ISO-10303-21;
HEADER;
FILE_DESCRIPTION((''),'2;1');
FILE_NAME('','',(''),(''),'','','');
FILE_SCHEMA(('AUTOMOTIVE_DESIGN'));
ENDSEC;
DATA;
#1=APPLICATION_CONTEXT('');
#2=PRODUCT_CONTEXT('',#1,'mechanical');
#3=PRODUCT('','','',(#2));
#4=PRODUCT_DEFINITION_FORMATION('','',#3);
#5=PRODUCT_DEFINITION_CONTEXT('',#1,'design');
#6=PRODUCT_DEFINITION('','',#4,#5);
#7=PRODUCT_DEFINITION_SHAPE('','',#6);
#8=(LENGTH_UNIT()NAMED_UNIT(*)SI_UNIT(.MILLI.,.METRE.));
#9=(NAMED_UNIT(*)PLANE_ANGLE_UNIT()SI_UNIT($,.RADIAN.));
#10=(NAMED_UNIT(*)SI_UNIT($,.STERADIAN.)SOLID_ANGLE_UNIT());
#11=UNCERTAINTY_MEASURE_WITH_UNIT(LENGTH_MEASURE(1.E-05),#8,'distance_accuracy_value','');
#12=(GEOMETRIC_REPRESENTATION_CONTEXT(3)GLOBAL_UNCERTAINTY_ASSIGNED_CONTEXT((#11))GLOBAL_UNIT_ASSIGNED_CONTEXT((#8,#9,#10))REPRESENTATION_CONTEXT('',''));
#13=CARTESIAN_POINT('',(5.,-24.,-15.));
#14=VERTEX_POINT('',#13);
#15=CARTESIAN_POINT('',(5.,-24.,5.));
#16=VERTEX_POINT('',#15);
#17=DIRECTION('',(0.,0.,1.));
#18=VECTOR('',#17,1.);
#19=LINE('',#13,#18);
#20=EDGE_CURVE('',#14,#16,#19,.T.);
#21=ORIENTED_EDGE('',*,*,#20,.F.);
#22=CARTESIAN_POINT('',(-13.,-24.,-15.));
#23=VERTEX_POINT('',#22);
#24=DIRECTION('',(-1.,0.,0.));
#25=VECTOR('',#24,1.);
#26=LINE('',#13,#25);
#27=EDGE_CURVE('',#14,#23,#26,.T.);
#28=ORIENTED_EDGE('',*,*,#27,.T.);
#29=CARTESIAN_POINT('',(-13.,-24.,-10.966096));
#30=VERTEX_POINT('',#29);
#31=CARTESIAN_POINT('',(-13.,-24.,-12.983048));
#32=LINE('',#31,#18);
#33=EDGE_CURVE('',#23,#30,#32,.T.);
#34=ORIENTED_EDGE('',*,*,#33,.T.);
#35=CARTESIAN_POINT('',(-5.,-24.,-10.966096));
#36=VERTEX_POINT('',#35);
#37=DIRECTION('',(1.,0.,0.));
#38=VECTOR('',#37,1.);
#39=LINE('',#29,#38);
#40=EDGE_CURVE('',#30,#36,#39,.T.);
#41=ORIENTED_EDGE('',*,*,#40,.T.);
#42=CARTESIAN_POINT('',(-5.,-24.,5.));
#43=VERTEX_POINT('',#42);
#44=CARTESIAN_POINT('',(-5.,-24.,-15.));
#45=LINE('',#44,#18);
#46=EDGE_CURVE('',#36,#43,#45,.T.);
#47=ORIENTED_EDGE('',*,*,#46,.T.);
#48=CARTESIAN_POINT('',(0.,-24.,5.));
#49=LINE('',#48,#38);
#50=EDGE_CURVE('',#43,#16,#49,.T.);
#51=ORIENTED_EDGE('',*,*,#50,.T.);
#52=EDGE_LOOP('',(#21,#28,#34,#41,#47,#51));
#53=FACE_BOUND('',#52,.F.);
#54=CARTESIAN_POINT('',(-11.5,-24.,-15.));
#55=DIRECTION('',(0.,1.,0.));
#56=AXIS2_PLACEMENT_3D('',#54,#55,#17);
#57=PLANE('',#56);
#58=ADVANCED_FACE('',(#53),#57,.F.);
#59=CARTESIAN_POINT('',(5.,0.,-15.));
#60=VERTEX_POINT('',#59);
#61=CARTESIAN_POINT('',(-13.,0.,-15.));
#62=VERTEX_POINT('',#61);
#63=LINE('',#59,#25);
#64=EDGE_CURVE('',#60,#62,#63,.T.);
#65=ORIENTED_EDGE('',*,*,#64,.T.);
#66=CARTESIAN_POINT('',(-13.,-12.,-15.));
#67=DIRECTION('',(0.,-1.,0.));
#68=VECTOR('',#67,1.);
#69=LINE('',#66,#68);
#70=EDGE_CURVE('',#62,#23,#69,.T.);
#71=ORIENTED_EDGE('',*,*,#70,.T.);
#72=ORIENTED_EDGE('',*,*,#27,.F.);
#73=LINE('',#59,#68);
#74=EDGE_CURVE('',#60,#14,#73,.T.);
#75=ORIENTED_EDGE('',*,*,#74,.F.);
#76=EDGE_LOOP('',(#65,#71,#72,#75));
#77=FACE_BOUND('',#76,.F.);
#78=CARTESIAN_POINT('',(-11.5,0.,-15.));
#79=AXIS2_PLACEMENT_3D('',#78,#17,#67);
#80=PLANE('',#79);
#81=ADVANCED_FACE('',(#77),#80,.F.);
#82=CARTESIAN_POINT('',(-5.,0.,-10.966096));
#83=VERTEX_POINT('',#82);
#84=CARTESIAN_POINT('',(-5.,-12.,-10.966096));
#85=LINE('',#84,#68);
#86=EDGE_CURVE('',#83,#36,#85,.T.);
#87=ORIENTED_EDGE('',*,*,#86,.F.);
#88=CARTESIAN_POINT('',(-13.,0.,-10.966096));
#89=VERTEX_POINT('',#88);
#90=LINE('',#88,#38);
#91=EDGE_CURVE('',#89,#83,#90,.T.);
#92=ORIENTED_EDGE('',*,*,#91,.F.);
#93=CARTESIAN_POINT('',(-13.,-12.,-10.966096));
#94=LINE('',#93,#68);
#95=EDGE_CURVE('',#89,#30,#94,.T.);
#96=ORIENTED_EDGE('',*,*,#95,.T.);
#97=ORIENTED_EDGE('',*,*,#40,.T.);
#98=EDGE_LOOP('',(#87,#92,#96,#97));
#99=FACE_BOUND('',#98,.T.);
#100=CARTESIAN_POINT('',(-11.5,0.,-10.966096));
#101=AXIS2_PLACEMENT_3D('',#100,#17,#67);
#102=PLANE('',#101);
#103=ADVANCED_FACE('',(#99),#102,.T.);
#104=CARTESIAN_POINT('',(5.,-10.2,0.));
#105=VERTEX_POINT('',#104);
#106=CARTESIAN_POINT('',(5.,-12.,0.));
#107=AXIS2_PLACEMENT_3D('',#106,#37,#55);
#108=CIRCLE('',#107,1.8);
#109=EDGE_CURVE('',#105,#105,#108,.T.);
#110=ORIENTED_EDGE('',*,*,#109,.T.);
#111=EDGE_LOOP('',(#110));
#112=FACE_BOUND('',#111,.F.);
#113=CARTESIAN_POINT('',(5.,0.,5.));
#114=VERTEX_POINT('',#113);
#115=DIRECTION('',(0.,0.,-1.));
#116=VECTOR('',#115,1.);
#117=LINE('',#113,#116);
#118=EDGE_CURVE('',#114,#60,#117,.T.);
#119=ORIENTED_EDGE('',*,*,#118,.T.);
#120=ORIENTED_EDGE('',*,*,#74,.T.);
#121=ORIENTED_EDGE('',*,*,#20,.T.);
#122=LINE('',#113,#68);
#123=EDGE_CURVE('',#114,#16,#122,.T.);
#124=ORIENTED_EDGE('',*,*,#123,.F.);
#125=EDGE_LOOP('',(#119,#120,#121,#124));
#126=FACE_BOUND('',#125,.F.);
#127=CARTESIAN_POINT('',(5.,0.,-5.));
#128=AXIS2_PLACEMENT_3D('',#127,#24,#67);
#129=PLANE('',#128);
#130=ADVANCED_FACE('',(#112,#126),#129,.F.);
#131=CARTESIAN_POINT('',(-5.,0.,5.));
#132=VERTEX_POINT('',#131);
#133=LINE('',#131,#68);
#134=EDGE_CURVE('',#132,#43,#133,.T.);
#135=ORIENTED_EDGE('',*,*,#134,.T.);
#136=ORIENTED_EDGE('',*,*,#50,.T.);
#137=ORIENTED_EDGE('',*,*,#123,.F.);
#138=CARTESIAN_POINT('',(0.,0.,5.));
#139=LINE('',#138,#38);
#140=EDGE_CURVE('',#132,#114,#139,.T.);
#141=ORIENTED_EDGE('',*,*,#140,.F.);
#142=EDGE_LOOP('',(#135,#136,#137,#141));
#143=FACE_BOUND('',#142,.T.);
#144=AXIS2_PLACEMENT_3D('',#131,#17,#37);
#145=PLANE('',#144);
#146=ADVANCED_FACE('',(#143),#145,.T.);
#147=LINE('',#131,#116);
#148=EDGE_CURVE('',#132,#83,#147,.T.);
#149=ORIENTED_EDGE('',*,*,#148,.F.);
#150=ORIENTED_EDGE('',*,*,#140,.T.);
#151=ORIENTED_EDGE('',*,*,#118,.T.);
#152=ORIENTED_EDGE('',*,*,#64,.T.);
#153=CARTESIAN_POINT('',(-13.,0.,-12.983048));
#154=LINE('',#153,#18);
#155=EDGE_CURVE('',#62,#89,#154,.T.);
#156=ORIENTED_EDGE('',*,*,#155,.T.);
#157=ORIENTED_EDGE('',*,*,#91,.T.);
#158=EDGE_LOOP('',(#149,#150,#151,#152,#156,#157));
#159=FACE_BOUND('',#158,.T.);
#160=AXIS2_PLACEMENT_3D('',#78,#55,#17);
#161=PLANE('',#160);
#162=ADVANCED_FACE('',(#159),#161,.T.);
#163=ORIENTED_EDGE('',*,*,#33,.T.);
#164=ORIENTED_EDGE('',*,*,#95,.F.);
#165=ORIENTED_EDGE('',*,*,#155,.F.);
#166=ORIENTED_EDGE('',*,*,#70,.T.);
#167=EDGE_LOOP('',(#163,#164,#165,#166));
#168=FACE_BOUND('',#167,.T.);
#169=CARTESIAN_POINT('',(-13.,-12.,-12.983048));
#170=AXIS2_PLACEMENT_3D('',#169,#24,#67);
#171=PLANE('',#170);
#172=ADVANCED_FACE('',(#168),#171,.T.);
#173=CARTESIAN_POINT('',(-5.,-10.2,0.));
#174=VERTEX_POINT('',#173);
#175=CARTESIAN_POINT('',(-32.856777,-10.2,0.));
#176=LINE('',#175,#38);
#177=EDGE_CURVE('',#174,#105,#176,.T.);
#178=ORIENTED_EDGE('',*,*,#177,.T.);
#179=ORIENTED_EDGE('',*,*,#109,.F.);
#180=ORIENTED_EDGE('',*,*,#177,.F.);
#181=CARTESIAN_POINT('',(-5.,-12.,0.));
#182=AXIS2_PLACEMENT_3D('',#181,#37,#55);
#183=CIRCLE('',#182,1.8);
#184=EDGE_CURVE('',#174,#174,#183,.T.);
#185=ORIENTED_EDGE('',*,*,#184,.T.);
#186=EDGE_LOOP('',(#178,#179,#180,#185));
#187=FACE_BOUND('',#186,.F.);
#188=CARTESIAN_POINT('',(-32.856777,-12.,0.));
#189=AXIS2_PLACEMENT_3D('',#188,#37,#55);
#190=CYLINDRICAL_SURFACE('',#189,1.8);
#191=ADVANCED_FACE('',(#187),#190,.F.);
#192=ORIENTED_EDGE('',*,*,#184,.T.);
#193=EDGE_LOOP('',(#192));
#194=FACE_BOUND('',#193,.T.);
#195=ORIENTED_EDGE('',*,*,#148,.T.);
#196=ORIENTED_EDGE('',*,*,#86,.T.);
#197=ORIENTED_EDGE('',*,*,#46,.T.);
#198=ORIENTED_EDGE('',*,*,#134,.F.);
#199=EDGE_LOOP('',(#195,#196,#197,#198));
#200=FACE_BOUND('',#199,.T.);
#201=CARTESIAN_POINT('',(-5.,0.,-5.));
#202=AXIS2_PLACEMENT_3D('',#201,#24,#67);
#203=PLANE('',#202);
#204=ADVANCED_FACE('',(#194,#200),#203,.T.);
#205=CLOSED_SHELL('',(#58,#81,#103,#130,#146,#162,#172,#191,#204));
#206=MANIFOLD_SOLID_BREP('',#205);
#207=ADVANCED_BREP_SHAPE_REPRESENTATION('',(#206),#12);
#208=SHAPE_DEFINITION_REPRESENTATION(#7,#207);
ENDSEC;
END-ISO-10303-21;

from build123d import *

# Parameters (mm, degrees)
F0_W     = 10
F0_H     = 10
F1_DEPTH = 24
F3_D     = 3.6
F4_DEPTH = 10
F5_W     = 24
F5_H     = 4.0339039266
F6_DEPTH = 6.5
F7_DEPTH = 1.5


with BuildPart() as f1:
    # F0 (on Front) → F1 (new body)
    with BuildSketch(Plane.XZ):
        Rectangle(F0_W, F0_H)
    extrude(amount=F1_DEPTH)

    # F3 (through all)
    with Locations(Plane(origin=(-5, 0, 0), x_dir=(0, -1, 0), z_dir=(-1, 0, 0))):
        with Locations((12, 0)):
            Hole(F3_D / 2)

    # F4 (add): a face of the model
    f4_faces = [f1.faces().sort_by_distance(p)[0] for p in [
        (0, -12, -5),
    ]]
    extrude(f4_faces, amount=F4_DEPTH)

    # F5 (on face) → F6 (join)
    with BuildSketch(Plane(origin=(-5, 0, 0), x_dir=(0, -1, 0), z_dir=(-1, 0, 0))):
        with Locations((12, -12.9830480367)):
            Rectangle(F5_W, F5_H)
    extrude(amount=F6_DEPTH)

    # F7 (add): a face of the model
    f7_faces = [f1.faces().sort_by_distance(p)[0] for p in [
        (-11.5, -12, -12.9830480367),
    ]]
    extrude(f7_faces, amount=F7_DEPTH)


solid = f1.part
